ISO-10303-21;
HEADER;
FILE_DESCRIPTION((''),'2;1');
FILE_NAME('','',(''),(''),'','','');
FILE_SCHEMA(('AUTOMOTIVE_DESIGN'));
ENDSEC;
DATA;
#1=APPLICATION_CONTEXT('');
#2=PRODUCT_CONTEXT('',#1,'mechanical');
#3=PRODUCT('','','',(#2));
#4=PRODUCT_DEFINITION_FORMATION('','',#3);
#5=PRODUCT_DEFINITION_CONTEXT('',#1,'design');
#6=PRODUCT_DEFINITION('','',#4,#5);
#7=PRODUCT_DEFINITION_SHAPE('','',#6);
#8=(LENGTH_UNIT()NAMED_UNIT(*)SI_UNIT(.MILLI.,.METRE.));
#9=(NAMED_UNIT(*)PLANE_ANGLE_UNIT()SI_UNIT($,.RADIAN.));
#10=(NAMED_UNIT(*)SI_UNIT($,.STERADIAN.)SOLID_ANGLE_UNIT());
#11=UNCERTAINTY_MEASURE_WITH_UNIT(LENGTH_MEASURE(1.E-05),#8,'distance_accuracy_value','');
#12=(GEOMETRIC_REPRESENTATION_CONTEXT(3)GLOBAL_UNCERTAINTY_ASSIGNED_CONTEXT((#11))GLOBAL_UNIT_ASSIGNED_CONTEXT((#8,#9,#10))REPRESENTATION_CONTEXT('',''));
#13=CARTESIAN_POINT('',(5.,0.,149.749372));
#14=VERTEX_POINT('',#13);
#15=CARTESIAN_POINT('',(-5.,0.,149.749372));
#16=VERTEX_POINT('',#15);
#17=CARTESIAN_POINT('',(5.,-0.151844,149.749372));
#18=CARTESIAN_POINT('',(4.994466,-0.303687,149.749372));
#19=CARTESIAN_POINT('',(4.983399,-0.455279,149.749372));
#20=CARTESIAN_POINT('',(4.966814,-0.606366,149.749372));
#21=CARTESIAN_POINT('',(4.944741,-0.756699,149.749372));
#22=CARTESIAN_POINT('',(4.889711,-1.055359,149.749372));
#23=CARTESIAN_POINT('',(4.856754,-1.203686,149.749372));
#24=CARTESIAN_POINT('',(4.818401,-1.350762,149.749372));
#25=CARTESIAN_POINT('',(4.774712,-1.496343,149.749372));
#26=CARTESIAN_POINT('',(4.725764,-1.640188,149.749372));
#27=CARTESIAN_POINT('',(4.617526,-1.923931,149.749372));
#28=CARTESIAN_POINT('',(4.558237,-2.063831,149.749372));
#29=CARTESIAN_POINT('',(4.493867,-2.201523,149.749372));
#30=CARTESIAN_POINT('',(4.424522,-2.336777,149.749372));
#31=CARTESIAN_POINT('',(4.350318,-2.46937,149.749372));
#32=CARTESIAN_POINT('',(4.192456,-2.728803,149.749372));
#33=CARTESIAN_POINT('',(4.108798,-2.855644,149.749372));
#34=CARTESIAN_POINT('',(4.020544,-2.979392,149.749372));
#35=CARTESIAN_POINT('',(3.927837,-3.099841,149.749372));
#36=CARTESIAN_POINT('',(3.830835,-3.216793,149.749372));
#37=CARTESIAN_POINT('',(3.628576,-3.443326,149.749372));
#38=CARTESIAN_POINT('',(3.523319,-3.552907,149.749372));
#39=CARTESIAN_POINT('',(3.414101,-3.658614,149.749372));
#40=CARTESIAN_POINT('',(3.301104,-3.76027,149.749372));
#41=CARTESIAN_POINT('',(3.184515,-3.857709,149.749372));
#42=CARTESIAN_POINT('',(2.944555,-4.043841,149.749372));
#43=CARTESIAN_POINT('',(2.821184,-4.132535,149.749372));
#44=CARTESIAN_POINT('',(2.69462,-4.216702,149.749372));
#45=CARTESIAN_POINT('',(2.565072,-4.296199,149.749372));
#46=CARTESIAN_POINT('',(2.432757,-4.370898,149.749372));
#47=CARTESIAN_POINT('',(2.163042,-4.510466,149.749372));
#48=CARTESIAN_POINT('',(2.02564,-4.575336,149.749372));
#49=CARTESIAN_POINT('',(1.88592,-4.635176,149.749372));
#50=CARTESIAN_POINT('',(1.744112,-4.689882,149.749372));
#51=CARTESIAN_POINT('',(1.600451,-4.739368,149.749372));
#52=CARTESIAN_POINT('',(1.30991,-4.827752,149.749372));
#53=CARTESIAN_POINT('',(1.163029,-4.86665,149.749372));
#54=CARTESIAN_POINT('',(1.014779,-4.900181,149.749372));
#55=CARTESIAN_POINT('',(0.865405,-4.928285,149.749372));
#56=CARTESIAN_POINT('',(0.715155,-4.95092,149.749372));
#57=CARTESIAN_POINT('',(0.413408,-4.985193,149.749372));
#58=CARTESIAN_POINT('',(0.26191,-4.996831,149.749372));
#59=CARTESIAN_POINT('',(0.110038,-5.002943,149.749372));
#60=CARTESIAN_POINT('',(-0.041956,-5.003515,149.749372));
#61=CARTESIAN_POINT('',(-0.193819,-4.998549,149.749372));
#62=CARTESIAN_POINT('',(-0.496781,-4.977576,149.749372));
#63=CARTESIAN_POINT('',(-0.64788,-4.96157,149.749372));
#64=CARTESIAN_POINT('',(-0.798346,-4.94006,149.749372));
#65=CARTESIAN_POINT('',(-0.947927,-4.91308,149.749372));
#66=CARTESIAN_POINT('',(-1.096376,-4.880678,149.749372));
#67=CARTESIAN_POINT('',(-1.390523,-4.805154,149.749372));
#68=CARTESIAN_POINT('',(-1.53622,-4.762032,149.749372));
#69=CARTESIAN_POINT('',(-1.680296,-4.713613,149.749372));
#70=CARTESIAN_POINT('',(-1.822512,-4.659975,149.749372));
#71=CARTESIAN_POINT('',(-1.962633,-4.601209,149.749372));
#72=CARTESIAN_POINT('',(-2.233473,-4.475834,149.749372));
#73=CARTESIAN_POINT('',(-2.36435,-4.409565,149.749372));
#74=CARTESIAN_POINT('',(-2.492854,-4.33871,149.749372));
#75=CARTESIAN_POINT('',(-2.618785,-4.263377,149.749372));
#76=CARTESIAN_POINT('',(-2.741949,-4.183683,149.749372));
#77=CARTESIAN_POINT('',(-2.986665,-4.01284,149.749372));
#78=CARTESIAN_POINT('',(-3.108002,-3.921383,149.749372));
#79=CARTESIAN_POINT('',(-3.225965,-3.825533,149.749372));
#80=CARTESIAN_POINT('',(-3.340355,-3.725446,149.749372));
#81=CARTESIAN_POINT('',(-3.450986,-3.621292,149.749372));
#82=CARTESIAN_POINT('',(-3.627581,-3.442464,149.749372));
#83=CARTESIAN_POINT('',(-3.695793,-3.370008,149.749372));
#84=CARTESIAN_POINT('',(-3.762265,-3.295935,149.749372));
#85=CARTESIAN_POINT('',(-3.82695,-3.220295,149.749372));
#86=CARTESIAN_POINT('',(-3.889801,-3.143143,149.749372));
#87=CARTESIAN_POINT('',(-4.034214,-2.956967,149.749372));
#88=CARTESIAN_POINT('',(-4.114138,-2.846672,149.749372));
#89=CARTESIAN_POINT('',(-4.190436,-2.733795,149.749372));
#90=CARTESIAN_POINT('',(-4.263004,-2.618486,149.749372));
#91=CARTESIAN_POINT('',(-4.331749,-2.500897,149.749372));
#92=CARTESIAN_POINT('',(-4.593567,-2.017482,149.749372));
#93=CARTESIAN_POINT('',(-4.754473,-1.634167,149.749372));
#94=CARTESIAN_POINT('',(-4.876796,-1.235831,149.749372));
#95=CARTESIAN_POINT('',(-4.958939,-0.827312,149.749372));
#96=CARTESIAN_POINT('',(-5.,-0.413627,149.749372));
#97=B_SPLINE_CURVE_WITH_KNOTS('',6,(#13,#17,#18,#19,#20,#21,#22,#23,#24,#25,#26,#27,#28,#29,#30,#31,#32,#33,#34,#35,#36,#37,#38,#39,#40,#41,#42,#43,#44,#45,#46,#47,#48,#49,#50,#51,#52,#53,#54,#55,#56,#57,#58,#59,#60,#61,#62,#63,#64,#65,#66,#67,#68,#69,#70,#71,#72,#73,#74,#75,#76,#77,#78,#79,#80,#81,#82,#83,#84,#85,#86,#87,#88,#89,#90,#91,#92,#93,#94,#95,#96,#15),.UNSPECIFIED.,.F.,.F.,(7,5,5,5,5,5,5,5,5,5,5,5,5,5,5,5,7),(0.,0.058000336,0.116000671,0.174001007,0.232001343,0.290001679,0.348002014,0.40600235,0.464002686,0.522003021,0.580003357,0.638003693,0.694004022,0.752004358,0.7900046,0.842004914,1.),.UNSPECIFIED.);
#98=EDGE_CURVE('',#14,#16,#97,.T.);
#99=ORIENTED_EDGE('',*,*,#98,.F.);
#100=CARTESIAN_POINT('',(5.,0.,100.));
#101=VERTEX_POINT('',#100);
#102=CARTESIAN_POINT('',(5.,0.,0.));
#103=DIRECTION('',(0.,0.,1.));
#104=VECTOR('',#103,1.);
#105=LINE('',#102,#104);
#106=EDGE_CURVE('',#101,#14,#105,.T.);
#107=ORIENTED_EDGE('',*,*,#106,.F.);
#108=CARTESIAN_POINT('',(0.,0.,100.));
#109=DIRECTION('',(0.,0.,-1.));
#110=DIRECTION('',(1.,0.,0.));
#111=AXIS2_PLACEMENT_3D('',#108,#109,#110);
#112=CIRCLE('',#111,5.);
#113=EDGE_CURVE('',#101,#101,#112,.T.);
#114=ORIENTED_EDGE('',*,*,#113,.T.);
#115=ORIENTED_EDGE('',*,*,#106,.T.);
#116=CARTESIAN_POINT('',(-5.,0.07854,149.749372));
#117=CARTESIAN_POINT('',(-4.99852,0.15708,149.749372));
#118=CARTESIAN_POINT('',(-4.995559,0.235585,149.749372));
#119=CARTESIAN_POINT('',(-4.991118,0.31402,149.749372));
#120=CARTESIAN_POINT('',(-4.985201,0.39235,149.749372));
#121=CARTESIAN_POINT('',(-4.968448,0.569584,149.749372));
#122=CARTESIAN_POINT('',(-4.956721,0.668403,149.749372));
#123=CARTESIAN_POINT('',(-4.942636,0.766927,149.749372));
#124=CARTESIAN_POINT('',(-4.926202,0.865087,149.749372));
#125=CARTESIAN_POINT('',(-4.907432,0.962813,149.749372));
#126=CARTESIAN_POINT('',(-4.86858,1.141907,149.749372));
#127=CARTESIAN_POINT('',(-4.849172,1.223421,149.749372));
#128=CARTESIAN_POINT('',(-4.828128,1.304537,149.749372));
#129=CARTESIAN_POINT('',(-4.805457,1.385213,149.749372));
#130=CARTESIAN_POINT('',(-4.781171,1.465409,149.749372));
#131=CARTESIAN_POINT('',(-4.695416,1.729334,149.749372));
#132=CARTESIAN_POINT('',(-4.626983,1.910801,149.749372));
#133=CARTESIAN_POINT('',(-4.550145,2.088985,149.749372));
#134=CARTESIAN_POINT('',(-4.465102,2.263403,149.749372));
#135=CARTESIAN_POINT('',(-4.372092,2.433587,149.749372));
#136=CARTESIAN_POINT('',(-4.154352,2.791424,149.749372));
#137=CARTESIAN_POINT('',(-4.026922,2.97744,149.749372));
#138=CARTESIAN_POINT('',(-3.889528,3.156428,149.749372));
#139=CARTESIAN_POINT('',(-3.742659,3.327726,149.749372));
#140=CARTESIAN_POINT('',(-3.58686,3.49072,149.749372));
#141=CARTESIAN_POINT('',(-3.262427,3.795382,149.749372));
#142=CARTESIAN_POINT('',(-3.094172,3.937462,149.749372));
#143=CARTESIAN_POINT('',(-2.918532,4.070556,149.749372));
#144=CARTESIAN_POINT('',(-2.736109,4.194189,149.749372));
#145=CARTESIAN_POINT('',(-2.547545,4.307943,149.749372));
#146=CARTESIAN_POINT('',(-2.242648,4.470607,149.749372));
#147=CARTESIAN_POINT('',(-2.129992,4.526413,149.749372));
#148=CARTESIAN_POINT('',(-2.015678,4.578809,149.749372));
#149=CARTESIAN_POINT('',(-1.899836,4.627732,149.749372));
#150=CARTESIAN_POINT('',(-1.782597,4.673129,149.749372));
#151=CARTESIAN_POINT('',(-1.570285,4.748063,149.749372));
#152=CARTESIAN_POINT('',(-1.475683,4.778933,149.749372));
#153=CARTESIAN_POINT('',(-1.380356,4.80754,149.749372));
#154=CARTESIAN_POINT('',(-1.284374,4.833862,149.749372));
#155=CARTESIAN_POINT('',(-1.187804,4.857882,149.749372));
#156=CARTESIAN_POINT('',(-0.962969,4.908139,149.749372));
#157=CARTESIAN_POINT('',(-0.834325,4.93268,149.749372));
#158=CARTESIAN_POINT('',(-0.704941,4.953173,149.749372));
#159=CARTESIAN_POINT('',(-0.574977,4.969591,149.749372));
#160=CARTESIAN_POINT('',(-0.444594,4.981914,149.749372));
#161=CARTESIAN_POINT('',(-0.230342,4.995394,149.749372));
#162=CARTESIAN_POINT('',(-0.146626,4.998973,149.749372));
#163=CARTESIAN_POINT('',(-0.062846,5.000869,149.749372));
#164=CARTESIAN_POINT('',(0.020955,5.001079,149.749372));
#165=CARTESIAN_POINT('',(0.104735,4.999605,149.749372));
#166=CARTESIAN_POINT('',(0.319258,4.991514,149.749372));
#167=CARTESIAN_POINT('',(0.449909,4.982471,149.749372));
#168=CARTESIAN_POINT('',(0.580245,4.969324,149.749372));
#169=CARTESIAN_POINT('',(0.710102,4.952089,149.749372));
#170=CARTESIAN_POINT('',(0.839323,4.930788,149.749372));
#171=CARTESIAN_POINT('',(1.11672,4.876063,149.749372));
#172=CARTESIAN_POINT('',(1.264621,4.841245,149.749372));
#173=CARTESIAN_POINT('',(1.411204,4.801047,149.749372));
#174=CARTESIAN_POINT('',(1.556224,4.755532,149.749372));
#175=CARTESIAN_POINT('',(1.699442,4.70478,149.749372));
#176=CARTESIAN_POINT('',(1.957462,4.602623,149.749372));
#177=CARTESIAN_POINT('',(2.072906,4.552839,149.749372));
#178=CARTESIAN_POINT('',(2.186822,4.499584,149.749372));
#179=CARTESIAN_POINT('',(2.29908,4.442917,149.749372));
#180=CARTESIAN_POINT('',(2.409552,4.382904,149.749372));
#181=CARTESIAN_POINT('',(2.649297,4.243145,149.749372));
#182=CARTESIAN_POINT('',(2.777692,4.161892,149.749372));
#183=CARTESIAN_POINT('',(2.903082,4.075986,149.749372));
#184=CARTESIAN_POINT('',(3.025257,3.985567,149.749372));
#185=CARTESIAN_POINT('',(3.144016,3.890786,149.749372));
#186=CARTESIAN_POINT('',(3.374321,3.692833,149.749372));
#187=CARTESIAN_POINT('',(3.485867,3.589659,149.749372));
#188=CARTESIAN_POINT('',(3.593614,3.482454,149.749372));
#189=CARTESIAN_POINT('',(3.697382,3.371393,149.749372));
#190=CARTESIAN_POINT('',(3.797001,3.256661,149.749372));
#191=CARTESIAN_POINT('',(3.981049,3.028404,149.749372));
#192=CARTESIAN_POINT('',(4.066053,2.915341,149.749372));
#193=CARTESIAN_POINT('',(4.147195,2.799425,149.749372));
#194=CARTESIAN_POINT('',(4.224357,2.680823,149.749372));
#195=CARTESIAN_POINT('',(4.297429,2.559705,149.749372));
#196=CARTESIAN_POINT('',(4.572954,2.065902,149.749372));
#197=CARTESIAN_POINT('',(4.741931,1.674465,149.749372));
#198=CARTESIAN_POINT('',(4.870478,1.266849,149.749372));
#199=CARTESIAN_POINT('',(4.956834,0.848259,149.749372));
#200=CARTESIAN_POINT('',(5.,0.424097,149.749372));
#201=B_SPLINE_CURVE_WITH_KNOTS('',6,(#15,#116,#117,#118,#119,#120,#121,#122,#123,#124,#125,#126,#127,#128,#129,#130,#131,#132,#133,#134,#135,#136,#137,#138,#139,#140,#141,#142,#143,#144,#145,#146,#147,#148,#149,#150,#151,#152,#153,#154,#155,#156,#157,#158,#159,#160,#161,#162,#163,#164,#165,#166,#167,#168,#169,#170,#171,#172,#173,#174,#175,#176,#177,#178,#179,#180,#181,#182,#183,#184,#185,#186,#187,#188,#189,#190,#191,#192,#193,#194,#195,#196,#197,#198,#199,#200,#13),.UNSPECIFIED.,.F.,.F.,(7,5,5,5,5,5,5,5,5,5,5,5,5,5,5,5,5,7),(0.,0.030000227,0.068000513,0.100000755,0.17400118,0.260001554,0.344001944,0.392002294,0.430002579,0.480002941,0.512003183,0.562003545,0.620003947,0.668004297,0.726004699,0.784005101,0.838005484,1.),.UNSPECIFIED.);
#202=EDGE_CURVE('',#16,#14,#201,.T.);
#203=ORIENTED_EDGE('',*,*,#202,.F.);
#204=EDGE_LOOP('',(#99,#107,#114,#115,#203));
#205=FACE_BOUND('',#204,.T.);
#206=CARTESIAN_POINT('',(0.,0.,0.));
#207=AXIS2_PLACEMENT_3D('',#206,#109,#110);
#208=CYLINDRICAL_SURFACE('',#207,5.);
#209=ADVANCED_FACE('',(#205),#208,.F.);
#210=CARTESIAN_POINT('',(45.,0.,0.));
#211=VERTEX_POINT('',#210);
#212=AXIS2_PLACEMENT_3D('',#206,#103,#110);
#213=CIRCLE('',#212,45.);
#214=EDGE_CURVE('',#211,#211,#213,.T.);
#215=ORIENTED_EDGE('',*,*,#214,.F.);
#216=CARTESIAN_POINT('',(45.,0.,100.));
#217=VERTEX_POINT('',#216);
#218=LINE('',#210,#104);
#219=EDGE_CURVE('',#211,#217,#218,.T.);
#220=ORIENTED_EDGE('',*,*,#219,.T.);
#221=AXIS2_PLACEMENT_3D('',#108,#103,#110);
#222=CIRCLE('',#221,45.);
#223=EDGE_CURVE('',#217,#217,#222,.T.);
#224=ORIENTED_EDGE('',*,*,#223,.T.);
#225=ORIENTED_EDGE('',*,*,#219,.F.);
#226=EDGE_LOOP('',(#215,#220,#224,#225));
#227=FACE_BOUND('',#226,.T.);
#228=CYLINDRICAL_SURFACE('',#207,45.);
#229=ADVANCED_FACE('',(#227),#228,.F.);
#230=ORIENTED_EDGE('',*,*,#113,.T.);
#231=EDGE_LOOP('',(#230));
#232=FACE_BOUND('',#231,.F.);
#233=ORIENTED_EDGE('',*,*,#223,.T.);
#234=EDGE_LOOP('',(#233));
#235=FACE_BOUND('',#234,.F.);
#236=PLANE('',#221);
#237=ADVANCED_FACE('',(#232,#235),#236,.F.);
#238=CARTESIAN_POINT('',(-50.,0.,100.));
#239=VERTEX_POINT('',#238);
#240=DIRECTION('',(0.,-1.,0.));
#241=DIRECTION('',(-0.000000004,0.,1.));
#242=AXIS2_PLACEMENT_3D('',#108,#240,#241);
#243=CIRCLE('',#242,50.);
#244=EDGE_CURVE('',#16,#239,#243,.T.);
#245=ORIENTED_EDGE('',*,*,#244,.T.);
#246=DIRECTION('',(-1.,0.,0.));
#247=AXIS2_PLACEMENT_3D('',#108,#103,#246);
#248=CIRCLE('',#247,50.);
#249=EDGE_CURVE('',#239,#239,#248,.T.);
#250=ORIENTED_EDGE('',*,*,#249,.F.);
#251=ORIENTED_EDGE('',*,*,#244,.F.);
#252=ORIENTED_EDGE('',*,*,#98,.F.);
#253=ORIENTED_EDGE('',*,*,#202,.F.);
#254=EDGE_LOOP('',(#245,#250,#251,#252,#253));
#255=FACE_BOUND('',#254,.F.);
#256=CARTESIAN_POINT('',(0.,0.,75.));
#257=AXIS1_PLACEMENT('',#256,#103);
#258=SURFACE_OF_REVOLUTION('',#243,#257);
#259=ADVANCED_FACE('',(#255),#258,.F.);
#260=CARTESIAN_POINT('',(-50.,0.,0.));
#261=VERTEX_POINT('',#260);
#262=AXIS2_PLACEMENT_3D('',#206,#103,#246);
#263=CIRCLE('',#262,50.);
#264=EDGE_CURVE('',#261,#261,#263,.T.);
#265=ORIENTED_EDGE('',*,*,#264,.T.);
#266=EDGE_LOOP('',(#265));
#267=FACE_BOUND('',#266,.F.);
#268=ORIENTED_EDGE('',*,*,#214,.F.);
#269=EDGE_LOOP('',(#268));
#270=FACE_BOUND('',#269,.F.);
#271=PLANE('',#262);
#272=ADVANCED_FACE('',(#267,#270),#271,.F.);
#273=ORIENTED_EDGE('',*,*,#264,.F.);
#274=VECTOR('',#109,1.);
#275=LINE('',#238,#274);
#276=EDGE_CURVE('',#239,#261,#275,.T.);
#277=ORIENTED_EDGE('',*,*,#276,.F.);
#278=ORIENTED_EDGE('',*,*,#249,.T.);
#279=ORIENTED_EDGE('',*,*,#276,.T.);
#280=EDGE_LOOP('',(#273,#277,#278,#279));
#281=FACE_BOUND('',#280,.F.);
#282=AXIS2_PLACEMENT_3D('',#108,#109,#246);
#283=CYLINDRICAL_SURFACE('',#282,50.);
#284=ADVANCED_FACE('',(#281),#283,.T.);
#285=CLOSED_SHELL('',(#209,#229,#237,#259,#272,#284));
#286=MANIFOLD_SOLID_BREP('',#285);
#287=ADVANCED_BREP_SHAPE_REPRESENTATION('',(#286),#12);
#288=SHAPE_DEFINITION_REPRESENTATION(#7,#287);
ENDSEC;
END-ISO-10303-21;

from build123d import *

# Parameters (mm, degrees)
F2_R     = 45
F3_DEPTH = 100
F4_R     = 5
F5_DEPTH = 150.001


with BuildPart() as f1:
    # F0 (on Front) → F1 (revolve)
    with BuildSketch(Plane.XZ):
        with BuildLine():
            Line((-50, 0), (0, 0))
            Line((0, 0), (0, 150))
            ThreePointArc((0, 150), (-35.355339, 135.355339), (-50, 100))
            Line((-50, 100), (-50, 0))
        make_face()
    revolve(axis=Axis((0, 0, 75), (0, 0, 1)))

    # F2 (on Top) → F3 (cut)
    with BuildSketch(Plane.XY):
        Circle(F2_R)
    extrude(amount=F3_DEPTH, mode=Mode.SUBTRACT)

    # F4 (on Top) → F5 (cut, through all)
    with BuildSketch(Plane.XY):
        Circle(F4_R)
    extrude(amount=F5_DEPTH, mode=Mode.SUBTRACT)


solid = f1.part
